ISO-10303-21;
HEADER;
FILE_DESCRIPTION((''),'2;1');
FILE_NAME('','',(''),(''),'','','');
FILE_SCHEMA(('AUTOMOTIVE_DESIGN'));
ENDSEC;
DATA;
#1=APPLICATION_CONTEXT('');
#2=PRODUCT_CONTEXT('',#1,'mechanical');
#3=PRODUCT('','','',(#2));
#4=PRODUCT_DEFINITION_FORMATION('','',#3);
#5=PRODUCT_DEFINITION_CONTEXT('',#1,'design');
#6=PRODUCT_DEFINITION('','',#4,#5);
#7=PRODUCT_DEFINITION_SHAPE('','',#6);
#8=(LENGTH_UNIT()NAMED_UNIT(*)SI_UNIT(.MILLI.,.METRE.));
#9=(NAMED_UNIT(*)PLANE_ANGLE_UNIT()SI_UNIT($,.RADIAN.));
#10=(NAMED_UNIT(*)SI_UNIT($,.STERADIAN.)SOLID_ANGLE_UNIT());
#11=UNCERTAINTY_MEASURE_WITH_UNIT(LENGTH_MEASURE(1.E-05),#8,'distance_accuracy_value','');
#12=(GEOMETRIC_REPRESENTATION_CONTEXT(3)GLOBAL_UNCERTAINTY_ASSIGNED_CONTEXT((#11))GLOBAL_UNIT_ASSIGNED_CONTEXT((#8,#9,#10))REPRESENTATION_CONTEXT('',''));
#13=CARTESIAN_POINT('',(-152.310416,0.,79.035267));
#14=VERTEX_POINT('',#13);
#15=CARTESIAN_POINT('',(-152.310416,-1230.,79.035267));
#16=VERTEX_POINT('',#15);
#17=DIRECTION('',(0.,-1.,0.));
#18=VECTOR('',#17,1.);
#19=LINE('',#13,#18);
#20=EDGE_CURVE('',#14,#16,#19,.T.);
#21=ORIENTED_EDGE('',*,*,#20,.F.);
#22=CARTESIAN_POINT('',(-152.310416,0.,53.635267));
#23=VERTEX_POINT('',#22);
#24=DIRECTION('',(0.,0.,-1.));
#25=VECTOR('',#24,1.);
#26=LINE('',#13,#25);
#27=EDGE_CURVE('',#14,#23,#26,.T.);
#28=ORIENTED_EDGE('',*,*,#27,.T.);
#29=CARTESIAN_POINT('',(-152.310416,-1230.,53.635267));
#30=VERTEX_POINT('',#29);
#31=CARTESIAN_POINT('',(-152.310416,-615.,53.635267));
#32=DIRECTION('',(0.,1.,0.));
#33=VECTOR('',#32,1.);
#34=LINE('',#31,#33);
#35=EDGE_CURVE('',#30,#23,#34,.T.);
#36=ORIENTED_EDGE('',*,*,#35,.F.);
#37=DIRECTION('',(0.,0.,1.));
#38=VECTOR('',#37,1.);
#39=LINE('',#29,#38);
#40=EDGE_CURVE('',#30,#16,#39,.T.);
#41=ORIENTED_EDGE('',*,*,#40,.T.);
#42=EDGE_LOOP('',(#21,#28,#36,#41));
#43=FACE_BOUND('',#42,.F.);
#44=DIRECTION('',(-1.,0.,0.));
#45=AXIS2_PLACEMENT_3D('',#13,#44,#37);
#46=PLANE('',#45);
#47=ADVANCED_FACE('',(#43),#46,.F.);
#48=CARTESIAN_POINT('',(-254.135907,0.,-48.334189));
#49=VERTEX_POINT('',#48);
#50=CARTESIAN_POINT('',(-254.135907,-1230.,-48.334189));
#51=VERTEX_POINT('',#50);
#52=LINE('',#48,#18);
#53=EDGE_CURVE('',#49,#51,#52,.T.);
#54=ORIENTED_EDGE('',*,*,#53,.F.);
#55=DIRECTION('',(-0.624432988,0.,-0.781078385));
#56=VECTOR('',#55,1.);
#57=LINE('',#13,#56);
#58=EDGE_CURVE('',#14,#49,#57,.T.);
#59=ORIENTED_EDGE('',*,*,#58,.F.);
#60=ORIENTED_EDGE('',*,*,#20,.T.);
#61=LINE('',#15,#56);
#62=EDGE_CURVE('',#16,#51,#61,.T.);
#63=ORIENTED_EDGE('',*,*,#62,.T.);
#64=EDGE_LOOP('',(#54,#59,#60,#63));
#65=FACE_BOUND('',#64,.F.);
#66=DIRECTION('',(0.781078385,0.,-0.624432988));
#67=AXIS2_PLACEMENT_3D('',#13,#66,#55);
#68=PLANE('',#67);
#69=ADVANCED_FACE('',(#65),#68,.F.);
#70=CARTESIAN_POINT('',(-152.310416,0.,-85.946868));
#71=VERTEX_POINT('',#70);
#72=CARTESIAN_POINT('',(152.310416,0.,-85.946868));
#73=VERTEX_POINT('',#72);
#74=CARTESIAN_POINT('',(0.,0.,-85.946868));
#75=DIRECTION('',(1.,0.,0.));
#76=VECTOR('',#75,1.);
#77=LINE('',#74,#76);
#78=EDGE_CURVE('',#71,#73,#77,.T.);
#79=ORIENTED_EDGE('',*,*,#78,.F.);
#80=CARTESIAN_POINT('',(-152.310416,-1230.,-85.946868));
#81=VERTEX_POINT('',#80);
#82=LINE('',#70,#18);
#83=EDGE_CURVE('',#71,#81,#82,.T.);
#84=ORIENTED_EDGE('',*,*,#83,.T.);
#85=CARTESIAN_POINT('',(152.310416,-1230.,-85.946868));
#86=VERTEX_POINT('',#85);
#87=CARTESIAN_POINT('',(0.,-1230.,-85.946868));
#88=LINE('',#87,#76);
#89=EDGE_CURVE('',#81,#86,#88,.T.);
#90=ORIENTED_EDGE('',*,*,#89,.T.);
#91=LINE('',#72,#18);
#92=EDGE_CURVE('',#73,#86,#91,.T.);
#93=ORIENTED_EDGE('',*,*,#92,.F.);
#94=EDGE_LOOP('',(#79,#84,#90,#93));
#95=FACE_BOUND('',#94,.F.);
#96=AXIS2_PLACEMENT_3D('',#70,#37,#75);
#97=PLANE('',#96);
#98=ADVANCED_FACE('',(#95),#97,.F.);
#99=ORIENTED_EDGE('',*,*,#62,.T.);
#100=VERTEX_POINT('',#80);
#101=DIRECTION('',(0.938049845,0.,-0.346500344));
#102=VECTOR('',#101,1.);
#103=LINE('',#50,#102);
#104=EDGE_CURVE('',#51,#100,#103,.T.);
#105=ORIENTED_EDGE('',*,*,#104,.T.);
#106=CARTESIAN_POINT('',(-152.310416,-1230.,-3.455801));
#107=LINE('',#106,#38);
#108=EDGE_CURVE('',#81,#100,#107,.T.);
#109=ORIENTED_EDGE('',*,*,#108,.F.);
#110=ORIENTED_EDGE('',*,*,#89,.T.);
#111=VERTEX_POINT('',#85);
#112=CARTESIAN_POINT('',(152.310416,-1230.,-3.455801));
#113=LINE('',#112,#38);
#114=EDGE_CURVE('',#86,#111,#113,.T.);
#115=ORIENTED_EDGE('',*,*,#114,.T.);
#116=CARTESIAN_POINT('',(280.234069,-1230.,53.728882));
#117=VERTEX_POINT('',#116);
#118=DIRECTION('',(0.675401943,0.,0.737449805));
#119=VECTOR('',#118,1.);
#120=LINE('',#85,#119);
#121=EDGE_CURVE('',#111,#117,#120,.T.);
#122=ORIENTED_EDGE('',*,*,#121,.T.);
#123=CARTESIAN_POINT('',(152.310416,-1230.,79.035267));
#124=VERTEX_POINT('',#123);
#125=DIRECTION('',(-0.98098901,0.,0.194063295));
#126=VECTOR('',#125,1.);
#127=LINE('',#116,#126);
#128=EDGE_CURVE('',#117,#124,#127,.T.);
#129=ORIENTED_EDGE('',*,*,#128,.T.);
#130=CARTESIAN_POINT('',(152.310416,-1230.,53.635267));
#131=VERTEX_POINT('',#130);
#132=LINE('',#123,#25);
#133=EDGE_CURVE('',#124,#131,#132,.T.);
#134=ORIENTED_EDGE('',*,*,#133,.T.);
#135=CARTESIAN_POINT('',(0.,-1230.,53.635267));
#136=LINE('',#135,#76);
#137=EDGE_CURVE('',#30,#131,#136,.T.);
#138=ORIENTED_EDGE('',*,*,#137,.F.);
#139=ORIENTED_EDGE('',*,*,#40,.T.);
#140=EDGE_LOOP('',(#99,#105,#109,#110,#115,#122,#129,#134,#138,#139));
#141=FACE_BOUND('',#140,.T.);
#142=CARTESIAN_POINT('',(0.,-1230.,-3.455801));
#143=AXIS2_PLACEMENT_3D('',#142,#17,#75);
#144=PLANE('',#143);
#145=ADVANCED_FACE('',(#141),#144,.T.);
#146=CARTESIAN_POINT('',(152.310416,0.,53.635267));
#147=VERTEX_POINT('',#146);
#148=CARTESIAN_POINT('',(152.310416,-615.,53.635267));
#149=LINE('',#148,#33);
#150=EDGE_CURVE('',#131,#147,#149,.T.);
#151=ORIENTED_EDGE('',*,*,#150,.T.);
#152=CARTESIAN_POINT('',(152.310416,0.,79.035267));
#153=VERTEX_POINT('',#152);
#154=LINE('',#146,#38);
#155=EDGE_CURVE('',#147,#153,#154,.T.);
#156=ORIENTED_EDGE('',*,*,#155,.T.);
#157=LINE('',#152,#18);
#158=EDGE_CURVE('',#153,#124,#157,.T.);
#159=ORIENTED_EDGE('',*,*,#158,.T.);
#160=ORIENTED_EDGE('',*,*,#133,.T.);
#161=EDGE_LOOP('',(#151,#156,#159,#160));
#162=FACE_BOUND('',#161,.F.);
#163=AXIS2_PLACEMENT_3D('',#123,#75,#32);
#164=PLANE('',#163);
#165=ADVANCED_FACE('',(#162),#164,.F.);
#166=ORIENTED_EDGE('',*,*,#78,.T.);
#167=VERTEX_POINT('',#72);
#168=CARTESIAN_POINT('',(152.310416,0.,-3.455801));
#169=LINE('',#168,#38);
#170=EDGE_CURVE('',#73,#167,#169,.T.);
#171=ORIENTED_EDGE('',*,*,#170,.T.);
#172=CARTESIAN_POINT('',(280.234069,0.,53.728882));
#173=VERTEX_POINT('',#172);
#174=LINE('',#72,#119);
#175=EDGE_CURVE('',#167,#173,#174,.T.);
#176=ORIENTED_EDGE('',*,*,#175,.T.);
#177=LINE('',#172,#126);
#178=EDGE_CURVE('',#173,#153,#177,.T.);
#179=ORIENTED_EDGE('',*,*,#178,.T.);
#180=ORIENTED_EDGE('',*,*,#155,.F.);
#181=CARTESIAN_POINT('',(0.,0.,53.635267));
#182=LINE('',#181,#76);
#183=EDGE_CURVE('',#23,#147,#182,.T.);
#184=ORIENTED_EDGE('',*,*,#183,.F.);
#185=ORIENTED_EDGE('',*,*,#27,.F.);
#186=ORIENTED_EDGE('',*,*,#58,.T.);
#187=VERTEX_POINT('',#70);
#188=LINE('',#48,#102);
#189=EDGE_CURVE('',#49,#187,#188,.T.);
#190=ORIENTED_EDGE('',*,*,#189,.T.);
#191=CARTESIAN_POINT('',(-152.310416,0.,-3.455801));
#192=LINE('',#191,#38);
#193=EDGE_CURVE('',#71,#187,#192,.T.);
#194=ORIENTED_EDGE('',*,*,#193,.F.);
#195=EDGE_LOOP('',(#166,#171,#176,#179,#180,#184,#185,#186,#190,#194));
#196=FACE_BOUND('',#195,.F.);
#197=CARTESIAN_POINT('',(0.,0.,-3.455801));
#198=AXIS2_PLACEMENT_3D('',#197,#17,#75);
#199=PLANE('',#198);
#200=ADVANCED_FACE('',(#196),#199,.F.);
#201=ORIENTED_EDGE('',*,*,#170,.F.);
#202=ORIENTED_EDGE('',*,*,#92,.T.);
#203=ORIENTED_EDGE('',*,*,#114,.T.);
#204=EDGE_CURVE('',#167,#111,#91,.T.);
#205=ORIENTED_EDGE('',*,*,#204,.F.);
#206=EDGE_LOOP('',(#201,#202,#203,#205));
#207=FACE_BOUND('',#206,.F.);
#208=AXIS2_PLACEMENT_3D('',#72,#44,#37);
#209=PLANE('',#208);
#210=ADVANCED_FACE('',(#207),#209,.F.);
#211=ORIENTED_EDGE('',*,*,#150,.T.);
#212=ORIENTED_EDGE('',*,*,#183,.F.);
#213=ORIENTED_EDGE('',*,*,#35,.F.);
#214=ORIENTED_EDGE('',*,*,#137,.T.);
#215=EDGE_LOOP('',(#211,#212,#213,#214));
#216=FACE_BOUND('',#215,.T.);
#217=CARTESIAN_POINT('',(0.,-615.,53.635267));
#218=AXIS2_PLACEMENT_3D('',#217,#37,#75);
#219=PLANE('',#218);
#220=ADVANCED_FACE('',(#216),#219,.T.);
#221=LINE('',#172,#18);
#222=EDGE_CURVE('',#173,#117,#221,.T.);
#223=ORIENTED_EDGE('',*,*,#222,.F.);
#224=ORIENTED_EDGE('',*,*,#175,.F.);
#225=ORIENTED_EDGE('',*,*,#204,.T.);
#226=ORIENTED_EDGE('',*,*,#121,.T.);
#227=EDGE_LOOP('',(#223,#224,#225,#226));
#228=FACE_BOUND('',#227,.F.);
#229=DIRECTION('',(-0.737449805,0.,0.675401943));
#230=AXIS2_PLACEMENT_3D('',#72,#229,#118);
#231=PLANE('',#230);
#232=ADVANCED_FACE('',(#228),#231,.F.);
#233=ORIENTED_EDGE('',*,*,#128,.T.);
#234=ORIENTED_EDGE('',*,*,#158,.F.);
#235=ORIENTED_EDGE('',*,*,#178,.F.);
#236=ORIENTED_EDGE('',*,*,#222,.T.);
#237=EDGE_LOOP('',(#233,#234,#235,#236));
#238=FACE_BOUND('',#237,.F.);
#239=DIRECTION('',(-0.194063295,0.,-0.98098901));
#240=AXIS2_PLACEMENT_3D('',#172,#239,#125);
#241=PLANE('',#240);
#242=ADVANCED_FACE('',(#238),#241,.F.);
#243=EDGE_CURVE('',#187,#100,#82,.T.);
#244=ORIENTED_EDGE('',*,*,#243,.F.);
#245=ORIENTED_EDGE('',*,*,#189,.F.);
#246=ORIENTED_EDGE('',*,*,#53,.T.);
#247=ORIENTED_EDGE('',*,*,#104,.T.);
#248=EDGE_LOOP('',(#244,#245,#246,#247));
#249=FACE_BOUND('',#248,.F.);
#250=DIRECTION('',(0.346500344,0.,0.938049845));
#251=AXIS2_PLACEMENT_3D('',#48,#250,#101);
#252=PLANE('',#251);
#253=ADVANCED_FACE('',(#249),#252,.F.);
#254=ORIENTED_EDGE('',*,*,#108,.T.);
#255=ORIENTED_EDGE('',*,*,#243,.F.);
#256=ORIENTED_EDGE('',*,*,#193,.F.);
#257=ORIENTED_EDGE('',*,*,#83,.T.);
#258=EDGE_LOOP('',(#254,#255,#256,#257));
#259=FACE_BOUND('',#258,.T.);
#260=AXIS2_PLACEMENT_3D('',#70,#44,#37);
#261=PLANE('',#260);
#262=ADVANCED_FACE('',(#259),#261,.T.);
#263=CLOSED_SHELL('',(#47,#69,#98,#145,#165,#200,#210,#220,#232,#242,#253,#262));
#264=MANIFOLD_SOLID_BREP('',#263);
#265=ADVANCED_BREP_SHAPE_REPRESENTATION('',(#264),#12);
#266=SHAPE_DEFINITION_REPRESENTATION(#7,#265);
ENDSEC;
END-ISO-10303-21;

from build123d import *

# Parameters (mm, degrees)
F0_W     = 304.620832
F0_H     = 164.982135
F1_DEPTH = 1230
F2_W     = 304.620832
F2_H     = 1230
F3_DEPTH = 25.4


with BuildPart() as f1:
    # F0 (on Front) → F1 (new body)
    with BuildSketch(Plane.XZ):
        with Locations((0, -3.455801)):
            Rectangle(F0_W, F0_H)
        Polygon((-152.310416, -85.946868), (-152.310416, 79.035267), (-254.135907, -48.334189), align=None)
        Polygon((280.234069, 53.728882), (152.310416, 79.035267), (152.310416, -85.946868), align=None)
    extrude(amount=F1_DEPTH)

    # F2 (on face) → F3 (cut)
    with BuildSketch(Plane.XY.offset(79.035267)):
        with Locations((0, -615)):
            Rectangle(F2_W, F2_H)
    extrude(amount=-F3_DEPTH, mode=Mode.SUBTRACT)


solid = f1.part
